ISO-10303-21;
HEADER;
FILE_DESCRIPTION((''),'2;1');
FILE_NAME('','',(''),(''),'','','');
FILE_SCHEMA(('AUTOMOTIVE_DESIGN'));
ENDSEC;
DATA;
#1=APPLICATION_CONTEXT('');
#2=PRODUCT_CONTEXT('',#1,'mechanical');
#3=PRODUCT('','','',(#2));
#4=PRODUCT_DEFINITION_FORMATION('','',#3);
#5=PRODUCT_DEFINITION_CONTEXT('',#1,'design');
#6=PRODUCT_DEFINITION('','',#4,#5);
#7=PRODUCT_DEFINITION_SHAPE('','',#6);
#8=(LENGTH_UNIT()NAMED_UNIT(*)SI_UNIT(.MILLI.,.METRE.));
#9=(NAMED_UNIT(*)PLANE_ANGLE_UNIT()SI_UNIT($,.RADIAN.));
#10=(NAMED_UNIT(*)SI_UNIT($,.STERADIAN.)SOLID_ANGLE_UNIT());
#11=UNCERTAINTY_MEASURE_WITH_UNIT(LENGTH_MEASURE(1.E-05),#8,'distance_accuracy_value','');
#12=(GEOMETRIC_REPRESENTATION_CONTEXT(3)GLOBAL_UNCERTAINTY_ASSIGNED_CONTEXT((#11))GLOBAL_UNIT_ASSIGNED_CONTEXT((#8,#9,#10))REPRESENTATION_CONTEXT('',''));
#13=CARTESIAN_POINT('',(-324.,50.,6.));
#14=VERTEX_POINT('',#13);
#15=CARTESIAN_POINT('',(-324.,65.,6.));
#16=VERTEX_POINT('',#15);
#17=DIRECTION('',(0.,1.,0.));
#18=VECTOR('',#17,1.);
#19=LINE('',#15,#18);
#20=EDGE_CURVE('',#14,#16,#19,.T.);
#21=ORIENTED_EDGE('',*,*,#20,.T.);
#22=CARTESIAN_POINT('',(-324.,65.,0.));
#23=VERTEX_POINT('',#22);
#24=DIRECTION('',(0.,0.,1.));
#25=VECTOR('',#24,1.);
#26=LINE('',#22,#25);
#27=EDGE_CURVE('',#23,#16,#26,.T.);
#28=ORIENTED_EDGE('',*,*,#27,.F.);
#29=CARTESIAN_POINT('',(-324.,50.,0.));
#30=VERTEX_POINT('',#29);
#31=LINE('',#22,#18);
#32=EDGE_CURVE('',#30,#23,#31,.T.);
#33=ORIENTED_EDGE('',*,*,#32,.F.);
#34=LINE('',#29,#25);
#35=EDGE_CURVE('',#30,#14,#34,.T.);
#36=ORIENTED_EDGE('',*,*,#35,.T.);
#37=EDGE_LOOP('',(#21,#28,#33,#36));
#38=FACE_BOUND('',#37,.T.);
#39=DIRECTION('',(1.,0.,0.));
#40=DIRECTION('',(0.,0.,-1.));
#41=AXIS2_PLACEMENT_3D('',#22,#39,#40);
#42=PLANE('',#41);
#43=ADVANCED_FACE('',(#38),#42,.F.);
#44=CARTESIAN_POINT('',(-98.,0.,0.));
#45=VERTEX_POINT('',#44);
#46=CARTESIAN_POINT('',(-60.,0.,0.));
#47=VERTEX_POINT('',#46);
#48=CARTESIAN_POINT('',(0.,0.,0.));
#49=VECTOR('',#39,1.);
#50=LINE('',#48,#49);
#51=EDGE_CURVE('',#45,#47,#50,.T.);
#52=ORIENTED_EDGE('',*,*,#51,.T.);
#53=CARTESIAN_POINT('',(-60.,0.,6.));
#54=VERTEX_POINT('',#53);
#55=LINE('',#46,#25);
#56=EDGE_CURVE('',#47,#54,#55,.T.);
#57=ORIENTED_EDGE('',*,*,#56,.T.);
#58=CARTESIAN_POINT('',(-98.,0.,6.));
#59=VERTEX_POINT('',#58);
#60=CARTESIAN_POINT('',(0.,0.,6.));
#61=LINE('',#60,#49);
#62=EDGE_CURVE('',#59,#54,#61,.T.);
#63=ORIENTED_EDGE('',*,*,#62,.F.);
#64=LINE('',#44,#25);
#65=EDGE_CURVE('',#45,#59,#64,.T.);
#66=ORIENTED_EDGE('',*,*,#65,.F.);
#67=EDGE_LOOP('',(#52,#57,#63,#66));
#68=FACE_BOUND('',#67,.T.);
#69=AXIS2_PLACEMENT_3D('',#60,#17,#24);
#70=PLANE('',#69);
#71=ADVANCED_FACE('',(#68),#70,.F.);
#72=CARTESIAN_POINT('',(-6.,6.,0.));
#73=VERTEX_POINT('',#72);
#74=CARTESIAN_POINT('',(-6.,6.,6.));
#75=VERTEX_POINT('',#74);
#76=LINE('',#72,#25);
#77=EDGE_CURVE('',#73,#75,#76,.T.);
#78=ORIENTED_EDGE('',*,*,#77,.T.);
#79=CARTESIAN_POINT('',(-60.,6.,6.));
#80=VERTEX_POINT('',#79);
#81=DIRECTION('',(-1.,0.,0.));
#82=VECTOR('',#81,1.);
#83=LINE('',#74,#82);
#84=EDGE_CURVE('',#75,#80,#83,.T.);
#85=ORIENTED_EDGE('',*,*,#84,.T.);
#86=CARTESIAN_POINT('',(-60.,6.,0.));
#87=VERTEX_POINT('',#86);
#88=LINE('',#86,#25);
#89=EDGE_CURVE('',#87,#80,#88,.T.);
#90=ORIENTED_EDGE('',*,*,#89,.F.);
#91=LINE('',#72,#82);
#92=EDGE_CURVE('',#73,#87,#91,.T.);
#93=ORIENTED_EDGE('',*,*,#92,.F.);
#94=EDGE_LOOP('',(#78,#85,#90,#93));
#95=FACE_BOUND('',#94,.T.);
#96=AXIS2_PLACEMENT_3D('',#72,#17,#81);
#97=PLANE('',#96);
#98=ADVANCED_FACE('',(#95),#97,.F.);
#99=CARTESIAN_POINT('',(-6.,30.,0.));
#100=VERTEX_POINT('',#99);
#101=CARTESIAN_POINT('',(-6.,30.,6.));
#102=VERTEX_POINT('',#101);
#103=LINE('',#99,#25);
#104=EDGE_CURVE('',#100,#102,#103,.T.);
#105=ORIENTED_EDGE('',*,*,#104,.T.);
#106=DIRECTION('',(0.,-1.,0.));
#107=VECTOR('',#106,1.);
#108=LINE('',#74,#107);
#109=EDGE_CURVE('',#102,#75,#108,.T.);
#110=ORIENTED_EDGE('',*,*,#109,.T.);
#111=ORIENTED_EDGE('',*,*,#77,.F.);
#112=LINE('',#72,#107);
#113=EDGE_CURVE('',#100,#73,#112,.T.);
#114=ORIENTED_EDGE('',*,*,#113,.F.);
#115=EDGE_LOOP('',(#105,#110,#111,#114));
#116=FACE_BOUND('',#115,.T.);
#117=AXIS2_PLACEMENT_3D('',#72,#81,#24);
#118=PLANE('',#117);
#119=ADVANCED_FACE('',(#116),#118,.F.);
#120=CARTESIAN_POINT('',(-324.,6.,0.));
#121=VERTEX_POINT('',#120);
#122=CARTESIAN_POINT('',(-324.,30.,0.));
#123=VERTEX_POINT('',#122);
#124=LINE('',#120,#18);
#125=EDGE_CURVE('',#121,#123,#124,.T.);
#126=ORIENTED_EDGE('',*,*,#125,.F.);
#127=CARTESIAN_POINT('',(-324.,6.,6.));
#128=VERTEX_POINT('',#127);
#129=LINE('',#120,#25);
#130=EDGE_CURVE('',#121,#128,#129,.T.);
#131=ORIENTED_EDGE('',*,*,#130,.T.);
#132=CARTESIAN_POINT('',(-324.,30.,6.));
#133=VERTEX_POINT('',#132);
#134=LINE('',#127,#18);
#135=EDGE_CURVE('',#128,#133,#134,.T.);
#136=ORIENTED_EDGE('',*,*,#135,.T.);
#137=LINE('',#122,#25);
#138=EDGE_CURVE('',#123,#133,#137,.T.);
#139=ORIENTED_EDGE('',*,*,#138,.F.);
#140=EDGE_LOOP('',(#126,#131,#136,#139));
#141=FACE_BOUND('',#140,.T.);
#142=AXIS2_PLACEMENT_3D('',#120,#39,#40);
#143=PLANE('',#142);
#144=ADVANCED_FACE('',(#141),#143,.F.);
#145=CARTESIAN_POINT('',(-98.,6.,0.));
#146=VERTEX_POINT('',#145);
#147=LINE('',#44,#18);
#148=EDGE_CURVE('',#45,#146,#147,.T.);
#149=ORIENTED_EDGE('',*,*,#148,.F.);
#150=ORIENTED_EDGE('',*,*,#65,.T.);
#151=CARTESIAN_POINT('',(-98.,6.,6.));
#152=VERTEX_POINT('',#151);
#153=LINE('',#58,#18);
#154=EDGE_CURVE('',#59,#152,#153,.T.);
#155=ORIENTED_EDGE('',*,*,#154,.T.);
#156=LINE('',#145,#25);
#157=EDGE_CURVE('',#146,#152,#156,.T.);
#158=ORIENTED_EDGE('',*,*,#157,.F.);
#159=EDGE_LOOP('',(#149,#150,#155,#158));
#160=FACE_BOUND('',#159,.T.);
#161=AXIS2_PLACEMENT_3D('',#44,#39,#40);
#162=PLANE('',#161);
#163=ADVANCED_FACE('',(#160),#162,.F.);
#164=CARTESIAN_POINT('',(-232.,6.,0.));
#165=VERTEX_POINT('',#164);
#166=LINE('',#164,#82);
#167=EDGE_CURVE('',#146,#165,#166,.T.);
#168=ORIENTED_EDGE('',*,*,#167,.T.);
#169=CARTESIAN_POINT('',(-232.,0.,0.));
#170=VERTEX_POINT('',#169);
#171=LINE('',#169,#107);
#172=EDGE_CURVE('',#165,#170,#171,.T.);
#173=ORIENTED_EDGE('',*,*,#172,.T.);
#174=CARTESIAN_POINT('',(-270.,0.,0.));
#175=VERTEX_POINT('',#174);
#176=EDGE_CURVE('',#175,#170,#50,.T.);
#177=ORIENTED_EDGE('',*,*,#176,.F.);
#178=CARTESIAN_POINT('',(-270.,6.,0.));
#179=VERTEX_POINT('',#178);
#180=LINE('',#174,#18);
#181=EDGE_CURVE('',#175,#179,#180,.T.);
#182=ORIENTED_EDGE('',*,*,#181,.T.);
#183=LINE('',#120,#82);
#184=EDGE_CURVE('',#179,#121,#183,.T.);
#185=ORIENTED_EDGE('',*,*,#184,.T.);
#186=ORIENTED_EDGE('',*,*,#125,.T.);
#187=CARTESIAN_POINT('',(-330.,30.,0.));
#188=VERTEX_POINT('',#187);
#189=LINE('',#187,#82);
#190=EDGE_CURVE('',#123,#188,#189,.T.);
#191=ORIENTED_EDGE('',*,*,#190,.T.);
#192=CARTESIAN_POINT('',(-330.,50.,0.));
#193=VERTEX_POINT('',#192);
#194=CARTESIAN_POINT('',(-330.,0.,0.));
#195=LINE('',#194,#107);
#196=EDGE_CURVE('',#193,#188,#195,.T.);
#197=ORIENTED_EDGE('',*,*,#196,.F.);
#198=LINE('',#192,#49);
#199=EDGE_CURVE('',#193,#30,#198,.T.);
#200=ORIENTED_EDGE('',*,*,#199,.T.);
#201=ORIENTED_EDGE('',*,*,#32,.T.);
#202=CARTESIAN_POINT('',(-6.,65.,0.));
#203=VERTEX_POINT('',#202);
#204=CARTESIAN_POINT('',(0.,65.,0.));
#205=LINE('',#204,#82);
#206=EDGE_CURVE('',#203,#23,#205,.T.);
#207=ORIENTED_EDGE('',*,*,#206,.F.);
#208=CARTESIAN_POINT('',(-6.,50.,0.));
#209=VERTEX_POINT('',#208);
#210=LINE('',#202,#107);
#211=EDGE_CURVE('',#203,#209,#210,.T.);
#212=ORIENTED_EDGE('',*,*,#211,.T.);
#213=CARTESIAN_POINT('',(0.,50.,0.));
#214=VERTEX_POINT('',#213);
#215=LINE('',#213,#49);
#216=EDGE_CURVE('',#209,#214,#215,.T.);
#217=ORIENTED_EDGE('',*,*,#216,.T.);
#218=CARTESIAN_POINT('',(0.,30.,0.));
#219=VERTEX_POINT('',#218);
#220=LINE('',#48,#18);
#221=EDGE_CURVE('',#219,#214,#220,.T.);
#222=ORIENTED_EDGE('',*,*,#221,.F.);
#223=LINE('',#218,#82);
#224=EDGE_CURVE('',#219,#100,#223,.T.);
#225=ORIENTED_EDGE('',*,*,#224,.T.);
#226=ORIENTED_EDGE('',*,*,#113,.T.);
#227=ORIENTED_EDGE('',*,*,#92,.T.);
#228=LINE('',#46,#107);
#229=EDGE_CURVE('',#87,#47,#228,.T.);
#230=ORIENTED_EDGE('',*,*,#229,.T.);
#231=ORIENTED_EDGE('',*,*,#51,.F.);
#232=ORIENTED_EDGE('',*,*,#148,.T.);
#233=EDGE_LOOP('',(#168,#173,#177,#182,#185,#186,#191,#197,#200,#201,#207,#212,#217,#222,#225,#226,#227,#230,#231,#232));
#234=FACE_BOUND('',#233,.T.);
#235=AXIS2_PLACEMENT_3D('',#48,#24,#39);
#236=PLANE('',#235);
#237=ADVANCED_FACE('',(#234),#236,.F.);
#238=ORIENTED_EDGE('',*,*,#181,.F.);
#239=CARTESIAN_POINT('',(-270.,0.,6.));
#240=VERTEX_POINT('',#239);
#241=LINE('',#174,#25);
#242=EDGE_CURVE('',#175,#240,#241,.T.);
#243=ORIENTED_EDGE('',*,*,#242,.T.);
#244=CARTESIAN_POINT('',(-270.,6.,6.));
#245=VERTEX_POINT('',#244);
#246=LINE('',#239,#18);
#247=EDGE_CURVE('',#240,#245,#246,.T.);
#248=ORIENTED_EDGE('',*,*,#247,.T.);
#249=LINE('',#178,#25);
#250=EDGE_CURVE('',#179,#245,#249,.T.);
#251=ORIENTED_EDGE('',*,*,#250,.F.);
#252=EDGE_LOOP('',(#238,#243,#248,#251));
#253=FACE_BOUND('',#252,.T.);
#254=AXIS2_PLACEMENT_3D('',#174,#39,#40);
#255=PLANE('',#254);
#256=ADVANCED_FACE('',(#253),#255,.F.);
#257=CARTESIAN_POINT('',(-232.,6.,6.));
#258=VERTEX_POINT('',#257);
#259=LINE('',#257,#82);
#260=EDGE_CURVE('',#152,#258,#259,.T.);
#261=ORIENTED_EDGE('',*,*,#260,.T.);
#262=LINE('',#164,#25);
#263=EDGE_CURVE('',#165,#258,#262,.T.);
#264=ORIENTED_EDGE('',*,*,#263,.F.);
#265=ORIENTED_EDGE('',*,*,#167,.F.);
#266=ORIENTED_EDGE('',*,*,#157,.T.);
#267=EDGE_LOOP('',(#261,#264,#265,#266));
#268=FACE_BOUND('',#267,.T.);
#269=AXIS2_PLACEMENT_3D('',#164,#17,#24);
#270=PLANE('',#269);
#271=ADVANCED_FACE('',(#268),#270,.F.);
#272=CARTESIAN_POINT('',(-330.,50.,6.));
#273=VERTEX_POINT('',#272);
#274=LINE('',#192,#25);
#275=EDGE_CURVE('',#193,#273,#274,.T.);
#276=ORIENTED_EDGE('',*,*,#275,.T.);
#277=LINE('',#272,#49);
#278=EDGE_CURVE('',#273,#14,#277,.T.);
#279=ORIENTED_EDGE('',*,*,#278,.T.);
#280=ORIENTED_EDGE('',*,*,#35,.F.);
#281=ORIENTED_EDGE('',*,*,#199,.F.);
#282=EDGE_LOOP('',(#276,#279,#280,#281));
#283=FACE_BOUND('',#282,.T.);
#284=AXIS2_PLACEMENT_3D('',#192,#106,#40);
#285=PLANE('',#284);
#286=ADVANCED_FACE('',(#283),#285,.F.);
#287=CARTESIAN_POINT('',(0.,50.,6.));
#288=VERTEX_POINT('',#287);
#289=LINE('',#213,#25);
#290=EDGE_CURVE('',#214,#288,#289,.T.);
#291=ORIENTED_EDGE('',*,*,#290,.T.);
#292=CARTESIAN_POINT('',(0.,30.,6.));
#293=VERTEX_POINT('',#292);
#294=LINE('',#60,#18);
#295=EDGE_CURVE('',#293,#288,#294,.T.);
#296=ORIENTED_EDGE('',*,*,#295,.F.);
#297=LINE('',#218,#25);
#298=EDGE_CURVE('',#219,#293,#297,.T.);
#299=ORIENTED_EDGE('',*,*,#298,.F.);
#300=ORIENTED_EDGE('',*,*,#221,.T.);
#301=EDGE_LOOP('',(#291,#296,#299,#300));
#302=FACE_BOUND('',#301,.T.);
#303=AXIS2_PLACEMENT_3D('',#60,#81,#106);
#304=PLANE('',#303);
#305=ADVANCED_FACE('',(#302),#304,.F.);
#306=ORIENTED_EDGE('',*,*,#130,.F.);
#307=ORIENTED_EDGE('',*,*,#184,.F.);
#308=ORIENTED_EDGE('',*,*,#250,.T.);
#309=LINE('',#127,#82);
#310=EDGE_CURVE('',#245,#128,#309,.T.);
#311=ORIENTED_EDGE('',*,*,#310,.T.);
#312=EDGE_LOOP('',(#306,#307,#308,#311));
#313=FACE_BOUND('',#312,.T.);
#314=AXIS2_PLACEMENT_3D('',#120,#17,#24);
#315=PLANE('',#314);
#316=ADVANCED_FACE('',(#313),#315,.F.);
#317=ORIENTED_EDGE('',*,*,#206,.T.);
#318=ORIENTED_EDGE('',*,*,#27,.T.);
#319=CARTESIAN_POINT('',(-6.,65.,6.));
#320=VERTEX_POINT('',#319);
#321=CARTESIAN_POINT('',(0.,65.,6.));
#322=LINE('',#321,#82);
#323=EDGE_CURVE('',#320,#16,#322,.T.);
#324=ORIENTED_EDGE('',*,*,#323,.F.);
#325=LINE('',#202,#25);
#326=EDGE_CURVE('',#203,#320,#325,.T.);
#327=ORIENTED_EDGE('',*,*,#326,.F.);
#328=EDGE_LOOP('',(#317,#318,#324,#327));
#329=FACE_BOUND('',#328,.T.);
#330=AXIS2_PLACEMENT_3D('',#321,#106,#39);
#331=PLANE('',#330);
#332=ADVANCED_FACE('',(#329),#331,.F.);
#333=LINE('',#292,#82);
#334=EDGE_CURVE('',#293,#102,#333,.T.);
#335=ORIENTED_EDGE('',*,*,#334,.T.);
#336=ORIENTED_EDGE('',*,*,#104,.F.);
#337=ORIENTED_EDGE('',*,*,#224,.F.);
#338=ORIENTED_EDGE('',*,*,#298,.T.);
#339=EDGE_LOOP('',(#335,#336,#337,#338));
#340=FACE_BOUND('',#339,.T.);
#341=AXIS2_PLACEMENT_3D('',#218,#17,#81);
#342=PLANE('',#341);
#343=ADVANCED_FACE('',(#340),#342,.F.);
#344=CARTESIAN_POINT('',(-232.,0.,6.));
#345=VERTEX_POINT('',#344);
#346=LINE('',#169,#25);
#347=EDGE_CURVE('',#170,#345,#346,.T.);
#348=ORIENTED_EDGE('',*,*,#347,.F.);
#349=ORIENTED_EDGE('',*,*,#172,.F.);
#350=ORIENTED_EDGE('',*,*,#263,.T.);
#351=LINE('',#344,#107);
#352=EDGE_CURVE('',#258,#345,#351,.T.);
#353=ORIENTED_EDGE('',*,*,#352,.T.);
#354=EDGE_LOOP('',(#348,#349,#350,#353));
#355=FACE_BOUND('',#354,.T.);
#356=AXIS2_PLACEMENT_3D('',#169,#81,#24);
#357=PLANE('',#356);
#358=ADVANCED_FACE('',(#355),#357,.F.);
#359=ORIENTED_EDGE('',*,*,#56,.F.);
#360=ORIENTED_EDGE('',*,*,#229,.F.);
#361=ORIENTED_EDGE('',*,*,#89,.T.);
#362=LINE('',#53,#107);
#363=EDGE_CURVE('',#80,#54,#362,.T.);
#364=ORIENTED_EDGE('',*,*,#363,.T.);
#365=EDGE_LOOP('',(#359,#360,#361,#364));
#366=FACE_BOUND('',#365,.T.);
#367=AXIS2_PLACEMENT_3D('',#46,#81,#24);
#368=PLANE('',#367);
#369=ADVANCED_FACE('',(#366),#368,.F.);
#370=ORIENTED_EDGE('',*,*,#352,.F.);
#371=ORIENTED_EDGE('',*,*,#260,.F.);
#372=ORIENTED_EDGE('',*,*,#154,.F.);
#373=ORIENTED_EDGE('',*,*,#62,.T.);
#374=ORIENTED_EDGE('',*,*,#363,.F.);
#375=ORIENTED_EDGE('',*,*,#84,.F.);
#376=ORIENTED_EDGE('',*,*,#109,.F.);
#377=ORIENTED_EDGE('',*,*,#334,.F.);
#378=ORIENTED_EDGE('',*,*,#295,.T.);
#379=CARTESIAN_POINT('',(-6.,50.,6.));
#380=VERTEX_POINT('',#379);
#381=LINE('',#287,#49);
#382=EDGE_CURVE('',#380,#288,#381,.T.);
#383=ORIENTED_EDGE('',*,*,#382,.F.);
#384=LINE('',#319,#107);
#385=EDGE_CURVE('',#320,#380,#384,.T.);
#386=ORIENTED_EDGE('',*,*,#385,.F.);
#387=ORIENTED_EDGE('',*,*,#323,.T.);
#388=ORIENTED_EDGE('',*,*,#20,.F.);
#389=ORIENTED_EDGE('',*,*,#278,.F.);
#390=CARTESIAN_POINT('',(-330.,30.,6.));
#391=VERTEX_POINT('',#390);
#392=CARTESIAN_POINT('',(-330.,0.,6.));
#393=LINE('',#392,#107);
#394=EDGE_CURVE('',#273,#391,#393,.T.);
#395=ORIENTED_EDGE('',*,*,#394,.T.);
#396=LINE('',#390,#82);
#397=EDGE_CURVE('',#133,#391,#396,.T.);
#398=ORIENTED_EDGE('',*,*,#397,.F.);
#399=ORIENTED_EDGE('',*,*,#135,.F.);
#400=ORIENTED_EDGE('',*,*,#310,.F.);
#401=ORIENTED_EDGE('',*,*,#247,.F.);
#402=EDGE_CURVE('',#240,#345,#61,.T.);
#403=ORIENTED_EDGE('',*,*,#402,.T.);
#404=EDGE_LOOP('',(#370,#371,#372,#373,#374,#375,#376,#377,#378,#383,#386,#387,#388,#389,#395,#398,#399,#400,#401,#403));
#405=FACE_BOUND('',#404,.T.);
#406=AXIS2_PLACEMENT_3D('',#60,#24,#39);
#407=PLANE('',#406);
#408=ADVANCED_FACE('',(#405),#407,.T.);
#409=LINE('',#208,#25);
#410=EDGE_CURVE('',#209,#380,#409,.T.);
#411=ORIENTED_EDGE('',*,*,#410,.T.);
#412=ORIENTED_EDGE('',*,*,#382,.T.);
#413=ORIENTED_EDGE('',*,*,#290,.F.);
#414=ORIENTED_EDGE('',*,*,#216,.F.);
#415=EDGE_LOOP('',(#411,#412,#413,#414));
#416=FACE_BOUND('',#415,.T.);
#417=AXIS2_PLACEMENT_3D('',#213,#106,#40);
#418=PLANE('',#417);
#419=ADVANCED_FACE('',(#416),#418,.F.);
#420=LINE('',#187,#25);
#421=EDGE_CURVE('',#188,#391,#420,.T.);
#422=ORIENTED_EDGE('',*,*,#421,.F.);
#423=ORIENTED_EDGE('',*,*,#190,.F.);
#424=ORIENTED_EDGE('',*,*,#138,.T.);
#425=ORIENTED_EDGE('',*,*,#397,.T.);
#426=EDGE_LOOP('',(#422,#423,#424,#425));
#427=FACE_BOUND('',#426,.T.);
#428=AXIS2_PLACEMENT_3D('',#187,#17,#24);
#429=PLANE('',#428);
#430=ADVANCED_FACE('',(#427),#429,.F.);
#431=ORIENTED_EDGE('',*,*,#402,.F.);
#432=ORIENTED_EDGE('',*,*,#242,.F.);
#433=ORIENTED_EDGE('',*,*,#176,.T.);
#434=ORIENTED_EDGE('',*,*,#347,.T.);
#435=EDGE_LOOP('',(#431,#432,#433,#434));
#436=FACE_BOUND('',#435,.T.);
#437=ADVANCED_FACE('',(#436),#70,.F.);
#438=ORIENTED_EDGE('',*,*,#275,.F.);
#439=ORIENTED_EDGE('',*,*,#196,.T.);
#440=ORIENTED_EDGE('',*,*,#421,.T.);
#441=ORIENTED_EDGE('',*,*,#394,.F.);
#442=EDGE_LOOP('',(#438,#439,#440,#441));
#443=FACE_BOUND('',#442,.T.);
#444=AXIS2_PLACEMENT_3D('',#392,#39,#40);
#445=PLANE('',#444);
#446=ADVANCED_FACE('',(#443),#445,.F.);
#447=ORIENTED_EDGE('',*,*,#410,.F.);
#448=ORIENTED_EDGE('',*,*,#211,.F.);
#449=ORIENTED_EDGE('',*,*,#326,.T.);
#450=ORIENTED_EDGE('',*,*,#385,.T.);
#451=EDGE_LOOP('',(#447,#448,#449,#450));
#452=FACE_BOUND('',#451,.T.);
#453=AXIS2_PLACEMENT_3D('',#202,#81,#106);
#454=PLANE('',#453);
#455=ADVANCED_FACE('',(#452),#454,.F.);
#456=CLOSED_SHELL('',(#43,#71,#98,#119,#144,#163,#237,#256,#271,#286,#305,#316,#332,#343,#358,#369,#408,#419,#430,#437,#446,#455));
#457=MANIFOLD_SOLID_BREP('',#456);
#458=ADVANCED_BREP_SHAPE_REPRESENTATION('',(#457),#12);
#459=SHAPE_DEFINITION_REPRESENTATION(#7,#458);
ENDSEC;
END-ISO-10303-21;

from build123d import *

# Parameters (mm, degrees)
ESQUISSE1_W             = 330
ESQUISSE1_H             = 65
BOSS_EXTRU_1_DEPTH      = 6
ESQUISSE2_W             = 134
ESQUISSE2_H             = 6
ESQUISSE2_W_2           = 6
ESQUISSE2_H_2           = 15
ENL_V_MAT_EXTRU_1_DEPTH = 6


with BuildPart() as part:
    # Esquisse1 → Boss.-Extru.1 (new body)
    with BuildSketch(Plane.XY):
        with Locations((-165, 32.5)):
            Rectangle(ESQUISSE1_W, ESQUISSE1_H)
    extrude(amount=BOSS_EXTRU_1_DEPTH)

    # Esquisse2 → Enlèv. mat.-Extru.1 (cut)
    with BuildSketch(Plane.XY.offset(6)):
        Polygon((-330, 0), (-270, 0), (-270, 6), (-324, 6), (-324, 30), (-330, 30), align=None)
        Polygon((0, 0), (-60, 0), (-60, 6), (-6, 6), (-6, 30), (0, 30), align=None)
        with Locations((-165, 3)):
            Rectangle(ESQUISSE2_W, ESQUISSE2_H)
        with Locations((-327, 57.5)):
            Rectangle(ESQUISSE2_W_2, ESQUISSE2_H_2)
        with Locations((-3, 57.5)):
            Rectangle(ESQUISSE2_W_2, ESQUISSE2_H_2)
    extrude(amount=-ENL_V_MAT_EXTRU_1_DEPTH, mode=Mode.SUBTRACT)


solid = part.part
